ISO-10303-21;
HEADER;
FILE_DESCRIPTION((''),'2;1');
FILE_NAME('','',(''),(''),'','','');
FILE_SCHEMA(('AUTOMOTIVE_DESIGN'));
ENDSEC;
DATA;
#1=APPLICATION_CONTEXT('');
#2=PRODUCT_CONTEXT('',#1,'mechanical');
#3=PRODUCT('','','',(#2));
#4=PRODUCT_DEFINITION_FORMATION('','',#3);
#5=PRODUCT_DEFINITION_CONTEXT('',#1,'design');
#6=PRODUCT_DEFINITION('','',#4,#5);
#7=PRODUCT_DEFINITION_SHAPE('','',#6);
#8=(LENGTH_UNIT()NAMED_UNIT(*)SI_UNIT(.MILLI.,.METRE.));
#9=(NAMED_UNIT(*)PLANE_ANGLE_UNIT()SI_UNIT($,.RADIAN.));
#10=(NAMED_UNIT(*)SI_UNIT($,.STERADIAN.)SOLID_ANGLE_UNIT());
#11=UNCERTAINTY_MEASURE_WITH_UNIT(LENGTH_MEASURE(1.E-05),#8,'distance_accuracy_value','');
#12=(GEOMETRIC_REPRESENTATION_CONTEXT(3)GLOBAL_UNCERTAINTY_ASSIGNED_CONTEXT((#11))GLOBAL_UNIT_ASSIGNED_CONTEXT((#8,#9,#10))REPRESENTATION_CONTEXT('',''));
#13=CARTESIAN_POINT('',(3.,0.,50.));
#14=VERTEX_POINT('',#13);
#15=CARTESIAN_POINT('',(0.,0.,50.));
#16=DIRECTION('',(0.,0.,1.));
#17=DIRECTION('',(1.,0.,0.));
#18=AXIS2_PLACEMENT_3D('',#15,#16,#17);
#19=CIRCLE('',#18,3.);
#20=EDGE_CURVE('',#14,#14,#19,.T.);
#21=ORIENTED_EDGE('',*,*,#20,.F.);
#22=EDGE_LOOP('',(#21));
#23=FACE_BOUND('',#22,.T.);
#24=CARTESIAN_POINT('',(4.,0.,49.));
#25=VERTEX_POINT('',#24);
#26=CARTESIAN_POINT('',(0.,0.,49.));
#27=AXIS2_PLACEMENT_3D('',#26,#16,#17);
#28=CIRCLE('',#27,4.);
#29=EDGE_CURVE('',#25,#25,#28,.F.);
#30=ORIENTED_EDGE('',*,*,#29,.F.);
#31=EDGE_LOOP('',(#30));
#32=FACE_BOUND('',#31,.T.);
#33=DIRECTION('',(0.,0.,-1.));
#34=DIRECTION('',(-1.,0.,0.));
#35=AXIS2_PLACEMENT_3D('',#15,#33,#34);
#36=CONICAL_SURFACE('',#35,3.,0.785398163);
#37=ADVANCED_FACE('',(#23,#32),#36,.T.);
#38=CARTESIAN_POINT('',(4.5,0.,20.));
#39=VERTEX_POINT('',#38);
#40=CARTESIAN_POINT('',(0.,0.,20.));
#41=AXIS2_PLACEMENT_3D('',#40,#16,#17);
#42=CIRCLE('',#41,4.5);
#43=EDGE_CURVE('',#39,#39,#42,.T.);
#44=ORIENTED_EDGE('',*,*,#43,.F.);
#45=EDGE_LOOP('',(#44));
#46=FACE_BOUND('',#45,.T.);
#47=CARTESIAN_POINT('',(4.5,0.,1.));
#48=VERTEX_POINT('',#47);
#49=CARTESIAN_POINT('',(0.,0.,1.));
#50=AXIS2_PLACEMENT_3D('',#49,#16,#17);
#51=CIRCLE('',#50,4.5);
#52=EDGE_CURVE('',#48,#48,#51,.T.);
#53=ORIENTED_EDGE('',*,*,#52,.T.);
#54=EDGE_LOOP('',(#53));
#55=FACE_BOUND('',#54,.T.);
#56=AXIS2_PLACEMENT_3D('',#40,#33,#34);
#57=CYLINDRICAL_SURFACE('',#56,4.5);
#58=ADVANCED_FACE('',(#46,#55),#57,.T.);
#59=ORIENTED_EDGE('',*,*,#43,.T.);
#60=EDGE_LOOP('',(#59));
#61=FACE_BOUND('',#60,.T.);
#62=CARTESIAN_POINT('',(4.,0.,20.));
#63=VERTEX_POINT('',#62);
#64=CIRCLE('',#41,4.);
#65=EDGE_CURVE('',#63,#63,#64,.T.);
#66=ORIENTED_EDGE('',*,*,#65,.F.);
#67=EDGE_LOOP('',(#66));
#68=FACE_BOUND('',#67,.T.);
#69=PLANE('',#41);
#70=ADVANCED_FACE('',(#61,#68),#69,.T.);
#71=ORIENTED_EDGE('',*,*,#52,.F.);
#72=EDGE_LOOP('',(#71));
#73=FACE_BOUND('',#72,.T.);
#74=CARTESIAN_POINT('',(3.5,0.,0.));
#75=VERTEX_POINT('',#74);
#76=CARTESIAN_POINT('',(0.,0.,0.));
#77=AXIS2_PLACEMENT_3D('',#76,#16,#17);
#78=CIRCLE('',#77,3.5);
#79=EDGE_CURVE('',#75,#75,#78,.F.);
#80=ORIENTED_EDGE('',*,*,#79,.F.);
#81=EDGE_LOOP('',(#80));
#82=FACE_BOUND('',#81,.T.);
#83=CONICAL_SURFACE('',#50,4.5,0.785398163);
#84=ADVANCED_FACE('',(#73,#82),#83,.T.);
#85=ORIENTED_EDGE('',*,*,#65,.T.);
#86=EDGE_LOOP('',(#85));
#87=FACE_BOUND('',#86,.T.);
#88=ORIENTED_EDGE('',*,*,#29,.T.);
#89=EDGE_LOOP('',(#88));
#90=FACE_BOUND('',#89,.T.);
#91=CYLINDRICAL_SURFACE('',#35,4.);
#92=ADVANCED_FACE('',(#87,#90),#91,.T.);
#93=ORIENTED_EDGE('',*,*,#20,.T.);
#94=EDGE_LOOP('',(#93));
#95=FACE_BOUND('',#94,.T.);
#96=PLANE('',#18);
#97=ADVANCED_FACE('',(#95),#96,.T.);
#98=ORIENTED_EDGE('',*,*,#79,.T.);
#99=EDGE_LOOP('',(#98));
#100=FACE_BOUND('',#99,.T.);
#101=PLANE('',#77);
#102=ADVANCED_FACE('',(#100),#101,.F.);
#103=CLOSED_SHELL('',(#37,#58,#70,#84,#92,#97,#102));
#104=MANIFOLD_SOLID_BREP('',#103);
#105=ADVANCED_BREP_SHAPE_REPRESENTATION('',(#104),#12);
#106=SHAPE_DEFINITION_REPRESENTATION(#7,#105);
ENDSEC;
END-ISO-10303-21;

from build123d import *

# Parameters (mm, degrees)
ESQUISSE1_R        = 4.5
BOSS_EXTRU_2_DEPTH = 20
ESQUISSE2_R        = 4
BOSS_EXTRU_3_DEPTH = 30
CHANFREIN1_SIZE    = 1


with BuildPart() as part:
    # Esquisse1 → Boss.-Extru.2 (new body)
    with BuildSketch(Plane.XY):
        Circle(ESQUISSE1_R)
    extrude(amount=BOSS_EXTRU_2_DEPTH)

    # Esquisse2 → Boss.-Extru.3 (add)
    with BuildSketch(Plane.XY.offset(20)):
        Circle(ESQUISSE2_R)
    extrude(amount=BOSS_EXTRU_3_DEPTH)

    # Chanfrein1
    chanfrein1_edges = [part.edges().sort_by_distance(p)[0] for p in [
        (-4.5, 0, 0),
        (-4, 0, 50),
    ]]
    chamfer(chanfrein1_edges, length=CHANFREIN1_SIZE)


solid = part.part
